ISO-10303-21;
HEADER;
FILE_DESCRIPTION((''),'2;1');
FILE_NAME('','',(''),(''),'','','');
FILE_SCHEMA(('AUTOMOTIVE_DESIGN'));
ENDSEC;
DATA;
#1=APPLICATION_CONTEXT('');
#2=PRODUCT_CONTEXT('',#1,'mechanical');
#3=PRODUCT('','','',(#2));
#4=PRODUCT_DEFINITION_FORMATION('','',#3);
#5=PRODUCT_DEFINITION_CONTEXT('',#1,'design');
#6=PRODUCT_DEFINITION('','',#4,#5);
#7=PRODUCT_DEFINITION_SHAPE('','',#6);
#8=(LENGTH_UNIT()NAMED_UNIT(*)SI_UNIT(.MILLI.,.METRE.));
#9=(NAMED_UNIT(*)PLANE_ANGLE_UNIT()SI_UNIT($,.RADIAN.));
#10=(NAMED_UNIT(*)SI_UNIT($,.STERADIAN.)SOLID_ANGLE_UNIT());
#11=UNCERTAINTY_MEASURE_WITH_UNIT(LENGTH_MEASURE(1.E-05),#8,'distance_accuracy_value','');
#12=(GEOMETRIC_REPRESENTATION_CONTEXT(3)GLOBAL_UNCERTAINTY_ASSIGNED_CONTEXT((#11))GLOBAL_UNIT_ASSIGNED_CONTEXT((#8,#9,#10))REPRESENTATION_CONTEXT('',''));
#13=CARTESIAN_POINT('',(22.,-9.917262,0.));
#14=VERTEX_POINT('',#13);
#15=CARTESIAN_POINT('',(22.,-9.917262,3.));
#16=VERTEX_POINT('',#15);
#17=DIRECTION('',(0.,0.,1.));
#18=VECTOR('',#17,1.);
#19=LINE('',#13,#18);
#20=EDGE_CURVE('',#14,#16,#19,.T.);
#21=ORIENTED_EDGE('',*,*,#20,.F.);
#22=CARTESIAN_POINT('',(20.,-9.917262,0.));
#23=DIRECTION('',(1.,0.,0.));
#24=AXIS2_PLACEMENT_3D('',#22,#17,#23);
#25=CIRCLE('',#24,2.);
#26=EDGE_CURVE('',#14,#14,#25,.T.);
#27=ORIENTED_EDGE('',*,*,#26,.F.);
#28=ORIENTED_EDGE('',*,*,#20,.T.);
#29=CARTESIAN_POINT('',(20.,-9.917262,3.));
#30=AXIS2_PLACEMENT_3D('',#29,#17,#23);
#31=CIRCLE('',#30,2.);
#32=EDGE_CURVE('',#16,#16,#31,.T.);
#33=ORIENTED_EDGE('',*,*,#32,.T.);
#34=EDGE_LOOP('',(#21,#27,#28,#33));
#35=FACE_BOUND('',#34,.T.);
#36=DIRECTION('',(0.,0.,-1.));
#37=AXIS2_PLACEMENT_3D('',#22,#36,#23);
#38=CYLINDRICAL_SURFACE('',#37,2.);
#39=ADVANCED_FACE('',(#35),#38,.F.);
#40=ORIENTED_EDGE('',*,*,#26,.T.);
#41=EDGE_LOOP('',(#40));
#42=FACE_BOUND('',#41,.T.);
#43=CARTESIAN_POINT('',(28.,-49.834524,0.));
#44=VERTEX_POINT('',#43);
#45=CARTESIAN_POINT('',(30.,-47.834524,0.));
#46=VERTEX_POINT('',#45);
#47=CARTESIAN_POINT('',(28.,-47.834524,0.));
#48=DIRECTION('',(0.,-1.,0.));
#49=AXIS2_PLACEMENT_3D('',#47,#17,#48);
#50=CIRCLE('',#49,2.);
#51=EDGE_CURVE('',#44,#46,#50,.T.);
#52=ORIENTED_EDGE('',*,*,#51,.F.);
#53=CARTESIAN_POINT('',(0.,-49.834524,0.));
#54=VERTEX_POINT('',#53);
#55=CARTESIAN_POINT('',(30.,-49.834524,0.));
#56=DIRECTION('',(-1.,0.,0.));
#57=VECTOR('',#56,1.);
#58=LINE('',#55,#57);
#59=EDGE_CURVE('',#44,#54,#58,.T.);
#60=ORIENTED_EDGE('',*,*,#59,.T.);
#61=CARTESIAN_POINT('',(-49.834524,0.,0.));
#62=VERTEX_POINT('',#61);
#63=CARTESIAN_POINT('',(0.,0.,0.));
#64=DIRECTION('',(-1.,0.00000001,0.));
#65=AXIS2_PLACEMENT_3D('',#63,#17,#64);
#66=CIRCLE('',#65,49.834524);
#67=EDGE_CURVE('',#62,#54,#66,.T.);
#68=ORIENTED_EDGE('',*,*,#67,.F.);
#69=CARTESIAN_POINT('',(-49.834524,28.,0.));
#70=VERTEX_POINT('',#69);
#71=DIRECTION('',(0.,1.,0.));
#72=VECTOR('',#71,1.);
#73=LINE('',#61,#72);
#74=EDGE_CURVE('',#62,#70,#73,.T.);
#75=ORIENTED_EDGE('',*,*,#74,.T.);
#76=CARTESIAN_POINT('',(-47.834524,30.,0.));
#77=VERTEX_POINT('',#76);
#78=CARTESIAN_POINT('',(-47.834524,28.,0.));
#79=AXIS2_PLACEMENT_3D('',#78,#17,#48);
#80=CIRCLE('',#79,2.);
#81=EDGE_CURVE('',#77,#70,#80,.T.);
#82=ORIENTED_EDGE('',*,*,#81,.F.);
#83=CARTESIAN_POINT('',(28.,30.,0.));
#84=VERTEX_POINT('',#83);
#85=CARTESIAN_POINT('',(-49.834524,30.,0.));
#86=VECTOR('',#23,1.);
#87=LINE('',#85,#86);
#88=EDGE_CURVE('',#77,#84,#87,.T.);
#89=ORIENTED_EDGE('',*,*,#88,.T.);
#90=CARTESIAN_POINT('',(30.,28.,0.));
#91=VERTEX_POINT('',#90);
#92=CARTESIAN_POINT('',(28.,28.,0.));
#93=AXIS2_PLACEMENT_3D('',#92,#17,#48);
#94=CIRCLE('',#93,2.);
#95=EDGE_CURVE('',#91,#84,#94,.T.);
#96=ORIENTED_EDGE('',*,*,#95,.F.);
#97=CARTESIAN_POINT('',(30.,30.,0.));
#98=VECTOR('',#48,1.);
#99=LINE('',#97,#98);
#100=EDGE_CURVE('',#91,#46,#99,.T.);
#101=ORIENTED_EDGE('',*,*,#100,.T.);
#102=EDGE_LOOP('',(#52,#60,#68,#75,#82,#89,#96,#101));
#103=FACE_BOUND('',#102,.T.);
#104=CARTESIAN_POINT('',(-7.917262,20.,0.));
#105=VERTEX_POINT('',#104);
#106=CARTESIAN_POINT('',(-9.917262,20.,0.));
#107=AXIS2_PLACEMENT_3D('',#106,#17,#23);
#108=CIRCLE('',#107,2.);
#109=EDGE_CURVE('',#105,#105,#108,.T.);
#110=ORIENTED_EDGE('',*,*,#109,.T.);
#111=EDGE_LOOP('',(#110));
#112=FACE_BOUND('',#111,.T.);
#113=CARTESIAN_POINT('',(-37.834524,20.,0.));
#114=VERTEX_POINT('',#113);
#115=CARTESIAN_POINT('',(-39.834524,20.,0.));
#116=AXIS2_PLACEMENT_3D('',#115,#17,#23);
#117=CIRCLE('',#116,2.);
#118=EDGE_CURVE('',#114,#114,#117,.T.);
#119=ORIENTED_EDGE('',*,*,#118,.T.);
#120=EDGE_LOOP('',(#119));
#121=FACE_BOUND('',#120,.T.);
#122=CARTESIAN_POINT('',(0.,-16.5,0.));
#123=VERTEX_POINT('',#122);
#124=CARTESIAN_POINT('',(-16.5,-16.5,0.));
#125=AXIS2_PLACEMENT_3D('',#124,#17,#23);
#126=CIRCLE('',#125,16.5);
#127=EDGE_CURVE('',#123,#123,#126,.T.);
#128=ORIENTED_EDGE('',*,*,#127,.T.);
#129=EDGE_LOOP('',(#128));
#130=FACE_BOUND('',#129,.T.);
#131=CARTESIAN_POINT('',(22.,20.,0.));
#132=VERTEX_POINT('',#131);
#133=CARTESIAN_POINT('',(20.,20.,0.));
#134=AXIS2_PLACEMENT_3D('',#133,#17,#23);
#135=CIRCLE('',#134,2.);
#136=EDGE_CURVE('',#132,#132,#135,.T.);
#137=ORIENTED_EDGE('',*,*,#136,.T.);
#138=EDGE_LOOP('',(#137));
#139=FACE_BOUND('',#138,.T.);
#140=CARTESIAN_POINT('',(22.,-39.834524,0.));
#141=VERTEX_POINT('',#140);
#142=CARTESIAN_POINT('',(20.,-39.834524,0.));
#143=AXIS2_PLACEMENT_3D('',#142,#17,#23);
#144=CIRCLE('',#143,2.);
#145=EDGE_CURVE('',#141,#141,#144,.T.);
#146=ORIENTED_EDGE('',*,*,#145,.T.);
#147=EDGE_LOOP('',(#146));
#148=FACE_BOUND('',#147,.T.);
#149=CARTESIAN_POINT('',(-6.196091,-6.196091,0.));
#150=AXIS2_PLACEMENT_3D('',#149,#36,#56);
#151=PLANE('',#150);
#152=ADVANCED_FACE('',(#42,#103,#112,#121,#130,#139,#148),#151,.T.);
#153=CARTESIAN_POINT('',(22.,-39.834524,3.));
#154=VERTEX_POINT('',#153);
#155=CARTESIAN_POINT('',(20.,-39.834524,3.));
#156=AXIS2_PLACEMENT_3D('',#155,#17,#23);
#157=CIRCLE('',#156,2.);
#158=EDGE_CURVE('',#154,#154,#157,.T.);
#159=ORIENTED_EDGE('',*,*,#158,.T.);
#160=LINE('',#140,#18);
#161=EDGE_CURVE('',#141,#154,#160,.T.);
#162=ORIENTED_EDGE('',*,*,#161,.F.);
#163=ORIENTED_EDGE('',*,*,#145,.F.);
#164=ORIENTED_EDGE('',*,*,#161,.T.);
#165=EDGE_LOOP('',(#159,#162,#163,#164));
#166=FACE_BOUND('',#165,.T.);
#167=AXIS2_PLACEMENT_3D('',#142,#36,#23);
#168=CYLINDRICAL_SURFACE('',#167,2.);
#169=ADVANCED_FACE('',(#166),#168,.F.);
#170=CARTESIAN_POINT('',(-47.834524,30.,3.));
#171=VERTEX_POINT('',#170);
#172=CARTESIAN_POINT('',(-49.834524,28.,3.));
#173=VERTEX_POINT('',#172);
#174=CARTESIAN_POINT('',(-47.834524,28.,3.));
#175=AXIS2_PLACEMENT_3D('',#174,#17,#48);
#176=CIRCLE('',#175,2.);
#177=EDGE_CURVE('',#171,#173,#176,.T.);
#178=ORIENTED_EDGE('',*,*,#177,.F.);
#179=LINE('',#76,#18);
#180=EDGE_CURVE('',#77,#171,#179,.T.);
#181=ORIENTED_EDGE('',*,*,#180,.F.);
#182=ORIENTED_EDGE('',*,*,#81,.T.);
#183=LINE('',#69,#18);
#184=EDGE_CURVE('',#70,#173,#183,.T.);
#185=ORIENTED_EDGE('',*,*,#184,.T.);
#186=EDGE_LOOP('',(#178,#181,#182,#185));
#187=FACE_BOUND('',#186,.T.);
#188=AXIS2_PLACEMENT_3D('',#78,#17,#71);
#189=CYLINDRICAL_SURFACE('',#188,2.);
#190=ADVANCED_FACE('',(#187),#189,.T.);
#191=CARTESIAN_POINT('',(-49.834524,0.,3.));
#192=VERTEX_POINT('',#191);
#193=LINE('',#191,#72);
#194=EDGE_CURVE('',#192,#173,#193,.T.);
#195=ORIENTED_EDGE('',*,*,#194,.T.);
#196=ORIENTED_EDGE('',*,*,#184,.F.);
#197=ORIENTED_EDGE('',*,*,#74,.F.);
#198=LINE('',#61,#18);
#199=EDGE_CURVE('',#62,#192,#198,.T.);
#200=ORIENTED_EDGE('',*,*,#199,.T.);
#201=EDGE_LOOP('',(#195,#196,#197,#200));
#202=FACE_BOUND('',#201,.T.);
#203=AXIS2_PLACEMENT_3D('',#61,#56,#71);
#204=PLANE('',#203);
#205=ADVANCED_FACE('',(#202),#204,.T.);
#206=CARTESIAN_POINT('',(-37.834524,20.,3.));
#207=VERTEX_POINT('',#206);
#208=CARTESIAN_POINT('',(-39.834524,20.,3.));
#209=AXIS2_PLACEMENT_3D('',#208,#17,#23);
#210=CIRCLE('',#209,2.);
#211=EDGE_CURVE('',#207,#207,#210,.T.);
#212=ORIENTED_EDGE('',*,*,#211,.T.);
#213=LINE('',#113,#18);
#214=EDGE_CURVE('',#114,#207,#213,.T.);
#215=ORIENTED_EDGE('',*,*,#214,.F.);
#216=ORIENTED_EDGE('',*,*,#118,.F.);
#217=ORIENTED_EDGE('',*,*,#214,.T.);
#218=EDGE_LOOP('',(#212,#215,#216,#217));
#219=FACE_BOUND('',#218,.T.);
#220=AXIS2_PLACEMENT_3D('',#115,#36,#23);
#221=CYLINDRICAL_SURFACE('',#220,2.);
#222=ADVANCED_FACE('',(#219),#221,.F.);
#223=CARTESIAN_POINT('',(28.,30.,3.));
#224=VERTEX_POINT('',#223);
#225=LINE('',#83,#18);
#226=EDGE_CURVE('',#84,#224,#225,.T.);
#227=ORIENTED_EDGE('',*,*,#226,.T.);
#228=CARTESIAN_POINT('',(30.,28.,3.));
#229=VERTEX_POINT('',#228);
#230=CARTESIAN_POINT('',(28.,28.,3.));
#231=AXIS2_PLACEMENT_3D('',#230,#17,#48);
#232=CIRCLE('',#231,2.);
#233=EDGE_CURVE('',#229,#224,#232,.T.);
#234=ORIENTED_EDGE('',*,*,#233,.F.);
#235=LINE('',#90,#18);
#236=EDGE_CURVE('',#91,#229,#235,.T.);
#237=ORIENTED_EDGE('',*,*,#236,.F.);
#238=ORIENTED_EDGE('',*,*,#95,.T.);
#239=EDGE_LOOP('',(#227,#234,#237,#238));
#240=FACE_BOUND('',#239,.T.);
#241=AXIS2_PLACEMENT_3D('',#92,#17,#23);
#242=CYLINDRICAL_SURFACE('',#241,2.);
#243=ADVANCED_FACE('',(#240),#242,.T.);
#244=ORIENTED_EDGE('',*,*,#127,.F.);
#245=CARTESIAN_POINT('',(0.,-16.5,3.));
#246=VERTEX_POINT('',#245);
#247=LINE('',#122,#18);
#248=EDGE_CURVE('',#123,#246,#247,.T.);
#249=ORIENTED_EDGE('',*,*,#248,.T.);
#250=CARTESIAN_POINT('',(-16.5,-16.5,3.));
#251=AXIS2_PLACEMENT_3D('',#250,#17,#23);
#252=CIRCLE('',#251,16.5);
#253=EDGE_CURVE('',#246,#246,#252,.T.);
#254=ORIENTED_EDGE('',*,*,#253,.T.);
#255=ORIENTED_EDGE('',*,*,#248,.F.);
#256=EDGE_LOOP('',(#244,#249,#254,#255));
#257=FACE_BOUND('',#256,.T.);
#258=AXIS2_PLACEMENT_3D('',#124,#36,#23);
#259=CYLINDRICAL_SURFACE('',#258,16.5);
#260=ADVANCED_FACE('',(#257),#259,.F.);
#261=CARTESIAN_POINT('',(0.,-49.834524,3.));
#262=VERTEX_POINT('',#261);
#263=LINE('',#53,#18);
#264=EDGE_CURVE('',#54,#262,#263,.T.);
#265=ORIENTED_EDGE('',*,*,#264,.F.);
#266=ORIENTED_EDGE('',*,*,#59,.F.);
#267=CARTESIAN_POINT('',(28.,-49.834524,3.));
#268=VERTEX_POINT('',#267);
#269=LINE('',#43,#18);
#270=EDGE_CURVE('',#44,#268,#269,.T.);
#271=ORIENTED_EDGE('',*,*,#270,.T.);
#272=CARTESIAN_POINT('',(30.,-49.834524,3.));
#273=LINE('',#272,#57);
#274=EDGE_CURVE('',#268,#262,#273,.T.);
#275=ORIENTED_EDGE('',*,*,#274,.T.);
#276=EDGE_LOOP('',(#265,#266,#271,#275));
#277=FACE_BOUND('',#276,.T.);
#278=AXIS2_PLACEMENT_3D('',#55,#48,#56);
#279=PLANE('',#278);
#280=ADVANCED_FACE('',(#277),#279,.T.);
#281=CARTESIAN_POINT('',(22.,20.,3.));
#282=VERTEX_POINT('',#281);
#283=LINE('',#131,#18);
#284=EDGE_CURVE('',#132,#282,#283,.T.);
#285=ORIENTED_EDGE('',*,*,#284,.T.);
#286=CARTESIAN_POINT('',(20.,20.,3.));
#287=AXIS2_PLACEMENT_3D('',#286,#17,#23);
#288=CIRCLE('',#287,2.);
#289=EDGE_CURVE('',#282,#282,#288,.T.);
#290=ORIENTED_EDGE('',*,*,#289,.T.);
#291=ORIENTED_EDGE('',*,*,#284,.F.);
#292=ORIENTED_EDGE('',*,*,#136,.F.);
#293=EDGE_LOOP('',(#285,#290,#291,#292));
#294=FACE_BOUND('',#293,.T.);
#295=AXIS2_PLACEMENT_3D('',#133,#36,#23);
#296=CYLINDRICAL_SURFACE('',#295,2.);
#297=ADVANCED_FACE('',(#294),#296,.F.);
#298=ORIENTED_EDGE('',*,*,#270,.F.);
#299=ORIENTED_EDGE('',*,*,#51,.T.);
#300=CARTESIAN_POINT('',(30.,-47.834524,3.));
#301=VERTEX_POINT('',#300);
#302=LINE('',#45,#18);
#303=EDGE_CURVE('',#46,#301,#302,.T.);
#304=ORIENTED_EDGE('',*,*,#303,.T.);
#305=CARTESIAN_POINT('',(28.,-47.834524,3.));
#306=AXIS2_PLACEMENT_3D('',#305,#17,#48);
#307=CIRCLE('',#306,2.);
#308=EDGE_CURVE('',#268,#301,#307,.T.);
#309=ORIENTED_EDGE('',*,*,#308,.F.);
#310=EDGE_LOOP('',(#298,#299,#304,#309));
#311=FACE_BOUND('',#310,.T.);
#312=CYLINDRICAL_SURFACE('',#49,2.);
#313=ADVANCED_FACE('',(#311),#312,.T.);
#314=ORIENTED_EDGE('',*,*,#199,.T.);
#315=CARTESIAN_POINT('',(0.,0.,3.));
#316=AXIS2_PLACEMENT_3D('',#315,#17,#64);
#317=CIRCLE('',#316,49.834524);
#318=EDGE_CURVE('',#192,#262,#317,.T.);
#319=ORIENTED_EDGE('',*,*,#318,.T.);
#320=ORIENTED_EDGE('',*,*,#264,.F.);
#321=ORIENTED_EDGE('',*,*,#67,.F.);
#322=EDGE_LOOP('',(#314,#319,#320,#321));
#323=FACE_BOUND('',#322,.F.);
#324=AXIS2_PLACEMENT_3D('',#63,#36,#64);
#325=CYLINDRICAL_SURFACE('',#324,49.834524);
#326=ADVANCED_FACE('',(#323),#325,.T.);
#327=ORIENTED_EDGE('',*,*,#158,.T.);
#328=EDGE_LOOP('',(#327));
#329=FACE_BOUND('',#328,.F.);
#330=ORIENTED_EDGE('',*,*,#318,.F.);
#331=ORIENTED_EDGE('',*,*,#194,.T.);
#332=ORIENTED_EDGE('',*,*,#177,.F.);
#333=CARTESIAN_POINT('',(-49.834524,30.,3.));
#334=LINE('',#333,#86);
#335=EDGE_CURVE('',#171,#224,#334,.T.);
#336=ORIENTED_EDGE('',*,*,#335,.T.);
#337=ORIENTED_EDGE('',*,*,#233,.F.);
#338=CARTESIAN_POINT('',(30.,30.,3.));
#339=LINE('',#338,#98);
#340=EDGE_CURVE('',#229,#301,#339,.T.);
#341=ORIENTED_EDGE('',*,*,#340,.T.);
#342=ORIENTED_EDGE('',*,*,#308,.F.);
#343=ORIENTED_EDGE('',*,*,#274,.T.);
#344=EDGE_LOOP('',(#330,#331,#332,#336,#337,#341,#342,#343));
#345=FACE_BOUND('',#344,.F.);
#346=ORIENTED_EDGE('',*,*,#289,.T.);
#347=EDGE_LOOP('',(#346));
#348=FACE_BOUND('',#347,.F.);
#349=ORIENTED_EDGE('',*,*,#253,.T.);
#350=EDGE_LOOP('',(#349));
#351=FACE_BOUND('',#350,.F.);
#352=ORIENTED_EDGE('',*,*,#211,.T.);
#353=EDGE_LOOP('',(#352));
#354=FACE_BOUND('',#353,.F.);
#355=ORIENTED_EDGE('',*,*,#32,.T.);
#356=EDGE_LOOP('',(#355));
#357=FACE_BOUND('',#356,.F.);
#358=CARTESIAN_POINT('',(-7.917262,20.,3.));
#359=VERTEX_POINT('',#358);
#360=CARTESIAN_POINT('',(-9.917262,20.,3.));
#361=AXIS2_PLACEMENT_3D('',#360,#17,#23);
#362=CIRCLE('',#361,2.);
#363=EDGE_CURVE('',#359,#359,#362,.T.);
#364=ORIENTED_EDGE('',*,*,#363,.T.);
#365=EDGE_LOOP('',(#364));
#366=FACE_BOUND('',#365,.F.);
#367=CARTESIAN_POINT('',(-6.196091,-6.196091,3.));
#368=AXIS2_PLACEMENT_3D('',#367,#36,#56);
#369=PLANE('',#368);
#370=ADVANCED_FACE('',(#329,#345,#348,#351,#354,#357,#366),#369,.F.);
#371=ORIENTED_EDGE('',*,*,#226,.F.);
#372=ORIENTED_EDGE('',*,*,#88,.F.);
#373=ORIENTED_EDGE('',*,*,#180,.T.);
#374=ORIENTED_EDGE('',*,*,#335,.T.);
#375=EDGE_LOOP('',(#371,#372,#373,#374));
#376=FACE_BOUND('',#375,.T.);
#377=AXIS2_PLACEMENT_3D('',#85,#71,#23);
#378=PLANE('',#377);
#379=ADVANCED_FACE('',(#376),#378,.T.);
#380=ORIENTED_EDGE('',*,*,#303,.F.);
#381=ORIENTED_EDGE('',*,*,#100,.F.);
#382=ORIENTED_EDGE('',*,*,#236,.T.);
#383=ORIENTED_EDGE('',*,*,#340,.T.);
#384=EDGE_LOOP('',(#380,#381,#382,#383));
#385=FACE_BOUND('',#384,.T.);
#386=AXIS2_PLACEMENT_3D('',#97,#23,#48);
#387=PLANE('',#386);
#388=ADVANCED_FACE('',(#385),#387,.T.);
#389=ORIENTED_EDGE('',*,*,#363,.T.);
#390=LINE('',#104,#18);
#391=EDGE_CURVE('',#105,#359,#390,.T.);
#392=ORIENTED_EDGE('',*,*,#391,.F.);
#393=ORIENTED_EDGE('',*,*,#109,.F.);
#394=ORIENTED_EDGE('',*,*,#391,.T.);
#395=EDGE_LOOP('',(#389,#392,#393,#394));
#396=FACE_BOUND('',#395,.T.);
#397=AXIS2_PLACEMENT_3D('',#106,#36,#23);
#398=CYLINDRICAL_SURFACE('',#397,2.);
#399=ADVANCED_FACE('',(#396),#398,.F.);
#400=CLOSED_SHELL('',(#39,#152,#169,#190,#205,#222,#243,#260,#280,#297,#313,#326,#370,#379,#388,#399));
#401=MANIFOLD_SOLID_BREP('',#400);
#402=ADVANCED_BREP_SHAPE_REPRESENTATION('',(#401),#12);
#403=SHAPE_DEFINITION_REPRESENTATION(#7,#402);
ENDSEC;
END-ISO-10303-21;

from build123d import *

# Parameters (mm, degrees)
SKETCH_R   = 16.5
SKETCH_R_2 = 2
PAD_DEPTH  = 3
FILLET_R   = 2


with BuildPart() as part:
    # Sketch → Pad (new body)
    with BuildSketch(Plane.XY):
        with BuildLine():
            Line((30, 0), (30, -49.834524))
            Line((30, -49.834524), (0, -49.834524))
            ThreePointArc((-49.834524, 0), (-35.23833, -35.23833), (0, -49.834524))
            Line((-49.834524, 0), (-49.834524, 20))
            Line((-49.834524, 20), (-49.834524, 30))
            Line((-49.834524, 30), (30, 30))
            Line((30, 30), (30, 0))
        make_face()
        with Locations((-16.5, -16.5)):
            Circle(SKETCH_R, mode=Mode.SUBTRACT)
        with Locations((-39.834524, 20)):
            Circle(SKETCH_R_2, mode=Mode.SUBTRACT)
        with Locations((-9.917262, 20)):
            Circle(SKETCH_R_2, mode=Mode.SUBTRACT)
        with Locations((20, 20)):
            Circle(SKETCH_R_2, mode=Mode.SUBTRACT)
        with Locations((20, -9.917262)):
            Circle(SKETCH_R_2, mode=Mode.SUBTRACT)
        with Locations((20, -39.834524)):
            Circle(SKETCH_R_2, mode=Mode.SUBTRACT)
    extrude(amount=PAD_DEPTH)

    # Fillet
    fillet_edges = [part.edges().sort_by_distance(p)[0] for p in [
        (30, -49.834524, 1.5),
        (30, 30, 1.5),
        (-49.834524, 30, 1.5),
    ]]
    fillet(fillet_edges, radius=FILLET_R)


solid = part.part
